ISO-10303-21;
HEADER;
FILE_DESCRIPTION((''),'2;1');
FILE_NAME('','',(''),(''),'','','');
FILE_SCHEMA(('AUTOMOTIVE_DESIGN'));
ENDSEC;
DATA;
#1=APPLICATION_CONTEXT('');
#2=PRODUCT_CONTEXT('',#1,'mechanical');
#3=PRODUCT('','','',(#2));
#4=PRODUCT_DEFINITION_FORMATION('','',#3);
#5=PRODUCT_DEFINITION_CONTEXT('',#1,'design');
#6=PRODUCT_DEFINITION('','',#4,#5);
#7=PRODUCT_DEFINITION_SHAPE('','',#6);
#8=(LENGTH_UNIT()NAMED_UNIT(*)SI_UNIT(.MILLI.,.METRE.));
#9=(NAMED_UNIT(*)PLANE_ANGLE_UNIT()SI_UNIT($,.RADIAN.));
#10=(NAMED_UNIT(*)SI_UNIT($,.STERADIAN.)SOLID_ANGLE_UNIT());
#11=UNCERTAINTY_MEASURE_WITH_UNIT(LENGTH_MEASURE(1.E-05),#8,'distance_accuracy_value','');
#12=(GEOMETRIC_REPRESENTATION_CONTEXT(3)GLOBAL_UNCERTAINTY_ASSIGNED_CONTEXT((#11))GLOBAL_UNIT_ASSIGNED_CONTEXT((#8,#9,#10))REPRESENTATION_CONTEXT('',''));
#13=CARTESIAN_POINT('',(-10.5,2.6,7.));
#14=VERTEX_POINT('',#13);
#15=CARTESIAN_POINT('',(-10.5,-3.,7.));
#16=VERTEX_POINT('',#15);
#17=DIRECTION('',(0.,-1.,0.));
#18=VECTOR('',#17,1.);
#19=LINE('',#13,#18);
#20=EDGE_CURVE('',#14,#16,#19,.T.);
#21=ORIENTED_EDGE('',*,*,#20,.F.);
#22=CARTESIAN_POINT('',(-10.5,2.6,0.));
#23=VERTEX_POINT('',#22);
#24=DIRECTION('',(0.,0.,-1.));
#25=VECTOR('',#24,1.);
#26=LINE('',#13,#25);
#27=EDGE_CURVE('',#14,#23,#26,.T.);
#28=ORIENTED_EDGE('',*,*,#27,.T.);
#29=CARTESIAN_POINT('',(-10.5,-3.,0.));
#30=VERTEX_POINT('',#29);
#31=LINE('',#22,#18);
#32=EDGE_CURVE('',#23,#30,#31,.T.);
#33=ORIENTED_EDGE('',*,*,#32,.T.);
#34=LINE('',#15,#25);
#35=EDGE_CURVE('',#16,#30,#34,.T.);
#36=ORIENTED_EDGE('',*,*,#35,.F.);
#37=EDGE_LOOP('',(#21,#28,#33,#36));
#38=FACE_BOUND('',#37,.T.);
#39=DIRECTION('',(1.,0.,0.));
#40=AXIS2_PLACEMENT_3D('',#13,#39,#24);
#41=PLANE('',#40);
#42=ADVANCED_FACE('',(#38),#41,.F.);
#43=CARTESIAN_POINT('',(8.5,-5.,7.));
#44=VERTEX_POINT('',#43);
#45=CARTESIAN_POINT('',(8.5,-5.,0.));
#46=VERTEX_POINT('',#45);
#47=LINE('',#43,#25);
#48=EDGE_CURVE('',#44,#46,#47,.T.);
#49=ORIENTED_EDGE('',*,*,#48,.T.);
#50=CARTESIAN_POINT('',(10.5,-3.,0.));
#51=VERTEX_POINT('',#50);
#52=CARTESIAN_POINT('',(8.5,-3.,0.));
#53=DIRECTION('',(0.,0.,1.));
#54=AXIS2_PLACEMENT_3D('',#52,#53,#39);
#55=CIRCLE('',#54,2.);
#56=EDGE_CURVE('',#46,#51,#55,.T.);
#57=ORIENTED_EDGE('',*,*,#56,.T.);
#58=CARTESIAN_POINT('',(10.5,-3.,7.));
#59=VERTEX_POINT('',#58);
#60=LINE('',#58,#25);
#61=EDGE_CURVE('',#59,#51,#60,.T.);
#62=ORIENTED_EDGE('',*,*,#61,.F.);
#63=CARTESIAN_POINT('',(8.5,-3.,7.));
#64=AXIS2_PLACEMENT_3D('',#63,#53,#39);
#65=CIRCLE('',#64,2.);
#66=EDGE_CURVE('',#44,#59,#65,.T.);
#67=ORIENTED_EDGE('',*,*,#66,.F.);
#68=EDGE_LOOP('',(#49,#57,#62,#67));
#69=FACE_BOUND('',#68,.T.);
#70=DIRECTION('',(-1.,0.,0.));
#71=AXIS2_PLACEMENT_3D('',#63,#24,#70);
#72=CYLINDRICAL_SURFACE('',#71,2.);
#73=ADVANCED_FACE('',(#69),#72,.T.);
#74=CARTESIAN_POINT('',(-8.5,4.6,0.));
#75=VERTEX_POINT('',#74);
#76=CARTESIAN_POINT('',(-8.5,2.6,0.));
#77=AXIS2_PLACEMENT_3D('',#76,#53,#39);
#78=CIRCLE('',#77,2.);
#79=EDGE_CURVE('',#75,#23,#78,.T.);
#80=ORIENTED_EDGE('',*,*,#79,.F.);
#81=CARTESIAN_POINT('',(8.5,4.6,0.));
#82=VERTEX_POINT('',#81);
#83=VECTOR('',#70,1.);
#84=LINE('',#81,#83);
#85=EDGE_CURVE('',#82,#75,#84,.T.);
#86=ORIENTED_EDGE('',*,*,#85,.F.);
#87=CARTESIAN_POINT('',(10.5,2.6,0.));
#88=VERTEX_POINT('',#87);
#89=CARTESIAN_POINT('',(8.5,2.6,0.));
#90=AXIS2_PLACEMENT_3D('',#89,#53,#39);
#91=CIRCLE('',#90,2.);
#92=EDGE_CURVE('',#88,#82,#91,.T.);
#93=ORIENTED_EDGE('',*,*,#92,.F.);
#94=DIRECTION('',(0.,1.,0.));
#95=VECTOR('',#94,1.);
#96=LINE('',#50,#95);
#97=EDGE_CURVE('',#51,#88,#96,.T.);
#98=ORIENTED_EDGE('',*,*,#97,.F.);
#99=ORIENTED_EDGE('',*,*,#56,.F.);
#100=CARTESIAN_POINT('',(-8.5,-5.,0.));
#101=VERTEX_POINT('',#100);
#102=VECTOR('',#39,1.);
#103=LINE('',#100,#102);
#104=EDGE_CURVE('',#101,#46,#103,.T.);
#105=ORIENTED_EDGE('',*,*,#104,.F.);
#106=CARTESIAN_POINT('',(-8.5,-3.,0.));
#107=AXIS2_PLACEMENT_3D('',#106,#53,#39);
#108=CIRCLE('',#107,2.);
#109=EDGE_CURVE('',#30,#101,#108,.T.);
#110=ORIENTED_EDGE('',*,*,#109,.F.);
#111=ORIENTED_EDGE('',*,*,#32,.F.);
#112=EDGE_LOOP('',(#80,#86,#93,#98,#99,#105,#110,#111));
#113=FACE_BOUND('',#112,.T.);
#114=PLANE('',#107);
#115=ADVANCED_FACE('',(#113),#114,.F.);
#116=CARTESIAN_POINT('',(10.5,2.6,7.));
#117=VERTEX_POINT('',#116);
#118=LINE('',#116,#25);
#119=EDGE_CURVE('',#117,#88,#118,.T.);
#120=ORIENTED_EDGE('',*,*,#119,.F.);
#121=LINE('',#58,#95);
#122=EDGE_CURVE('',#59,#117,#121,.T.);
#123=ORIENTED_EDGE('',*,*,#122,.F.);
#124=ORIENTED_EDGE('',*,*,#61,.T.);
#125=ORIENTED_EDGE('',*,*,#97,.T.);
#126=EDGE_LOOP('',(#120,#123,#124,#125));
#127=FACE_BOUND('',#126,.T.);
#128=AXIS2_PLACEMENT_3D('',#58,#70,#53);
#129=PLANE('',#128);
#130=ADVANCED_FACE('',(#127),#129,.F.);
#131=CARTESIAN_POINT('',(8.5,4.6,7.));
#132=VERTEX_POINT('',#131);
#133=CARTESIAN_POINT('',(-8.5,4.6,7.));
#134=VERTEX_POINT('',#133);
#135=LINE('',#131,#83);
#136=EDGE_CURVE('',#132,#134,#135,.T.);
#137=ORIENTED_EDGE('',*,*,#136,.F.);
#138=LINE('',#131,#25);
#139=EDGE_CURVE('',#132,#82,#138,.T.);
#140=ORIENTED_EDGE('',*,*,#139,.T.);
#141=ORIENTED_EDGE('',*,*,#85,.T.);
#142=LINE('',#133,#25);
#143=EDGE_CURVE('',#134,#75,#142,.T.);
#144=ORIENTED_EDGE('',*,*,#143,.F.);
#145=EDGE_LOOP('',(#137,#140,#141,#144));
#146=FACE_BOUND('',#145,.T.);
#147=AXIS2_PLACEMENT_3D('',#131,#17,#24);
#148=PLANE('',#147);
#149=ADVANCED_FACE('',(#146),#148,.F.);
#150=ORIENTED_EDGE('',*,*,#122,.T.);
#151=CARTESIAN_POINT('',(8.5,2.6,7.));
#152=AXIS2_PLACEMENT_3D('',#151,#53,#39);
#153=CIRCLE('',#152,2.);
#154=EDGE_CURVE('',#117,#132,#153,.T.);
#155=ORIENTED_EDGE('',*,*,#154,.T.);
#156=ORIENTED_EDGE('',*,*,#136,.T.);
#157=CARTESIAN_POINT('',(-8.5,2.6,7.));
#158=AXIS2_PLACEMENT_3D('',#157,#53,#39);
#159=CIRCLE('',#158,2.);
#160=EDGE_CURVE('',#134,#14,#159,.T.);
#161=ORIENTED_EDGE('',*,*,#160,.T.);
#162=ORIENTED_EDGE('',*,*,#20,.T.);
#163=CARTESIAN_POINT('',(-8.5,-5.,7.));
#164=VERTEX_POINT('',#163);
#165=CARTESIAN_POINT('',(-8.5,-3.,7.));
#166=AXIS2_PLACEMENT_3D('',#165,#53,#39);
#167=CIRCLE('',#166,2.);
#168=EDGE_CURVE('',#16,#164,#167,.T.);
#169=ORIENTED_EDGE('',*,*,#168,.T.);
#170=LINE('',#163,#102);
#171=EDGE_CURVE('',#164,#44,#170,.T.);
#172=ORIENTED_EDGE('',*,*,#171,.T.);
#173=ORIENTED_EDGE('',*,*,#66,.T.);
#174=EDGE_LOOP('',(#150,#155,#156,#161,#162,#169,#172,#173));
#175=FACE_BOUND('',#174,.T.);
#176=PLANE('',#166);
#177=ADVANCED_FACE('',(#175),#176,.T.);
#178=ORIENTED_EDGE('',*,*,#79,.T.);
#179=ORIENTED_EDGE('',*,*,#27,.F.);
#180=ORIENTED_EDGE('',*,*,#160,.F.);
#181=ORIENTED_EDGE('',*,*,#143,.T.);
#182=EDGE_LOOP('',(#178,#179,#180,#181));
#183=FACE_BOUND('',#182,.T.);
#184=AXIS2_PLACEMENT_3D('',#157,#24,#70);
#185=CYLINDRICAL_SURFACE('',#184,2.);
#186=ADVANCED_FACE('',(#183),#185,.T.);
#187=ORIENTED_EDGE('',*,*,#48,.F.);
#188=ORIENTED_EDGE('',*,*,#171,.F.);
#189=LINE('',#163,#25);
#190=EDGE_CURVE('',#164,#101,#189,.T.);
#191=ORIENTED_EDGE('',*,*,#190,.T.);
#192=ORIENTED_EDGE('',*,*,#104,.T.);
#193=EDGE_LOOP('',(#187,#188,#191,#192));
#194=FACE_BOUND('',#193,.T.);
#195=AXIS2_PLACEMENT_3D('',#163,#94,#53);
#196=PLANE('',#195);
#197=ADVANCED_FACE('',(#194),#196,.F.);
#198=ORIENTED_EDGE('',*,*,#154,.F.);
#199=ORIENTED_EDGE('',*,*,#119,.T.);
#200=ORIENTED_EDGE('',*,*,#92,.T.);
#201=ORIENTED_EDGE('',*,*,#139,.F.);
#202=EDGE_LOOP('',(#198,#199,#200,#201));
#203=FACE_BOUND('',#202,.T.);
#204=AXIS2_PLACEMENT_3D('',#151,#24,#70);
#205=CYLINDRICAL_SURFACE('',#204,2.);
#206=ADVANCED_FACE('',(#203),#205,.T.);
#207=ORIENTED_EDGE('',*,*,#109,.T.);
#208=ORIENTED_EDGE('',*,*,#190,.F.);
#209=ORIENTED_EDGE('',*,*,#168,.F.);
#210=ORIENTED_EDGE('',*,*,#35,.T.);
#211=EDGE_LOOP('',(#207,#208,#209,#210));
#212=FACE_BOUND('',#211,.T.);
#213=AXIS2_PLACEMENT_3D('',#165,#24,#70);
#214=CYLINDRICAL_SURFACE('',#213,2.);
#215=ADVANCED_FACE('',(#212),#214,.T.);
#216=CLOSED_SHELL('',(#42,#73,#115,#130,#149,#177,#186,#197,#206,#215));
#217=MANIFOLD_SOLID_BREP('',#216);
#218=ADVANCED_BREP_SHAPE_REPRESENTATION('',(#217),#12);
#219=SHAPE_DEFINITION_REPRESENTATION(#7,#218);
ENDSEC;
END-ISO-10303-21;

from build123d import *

# Parameters (mm, degrees)
F_01_CAPTURED_TAIL_BUTTON_DEPTH = 7


with BuildPart() as part:
    # S01 - Captured tail button → 01 - Captured tail button (new body)
    with BuildSketch(Plane.XY):
        with BuildLine():
            Line((-8.5, -5), (8.5, -5))
            ThreePointArc((8.5, -5), (9.914213562, -4.414213562), (10.5, -3))
            Line((10.5, -3), (10.5, 2.6))
            ThreePointArc((10.5, 2.6), (9.914213562, 4.014213562), (8.5, 4.6))
            Line((8.5, 4.6), (-8.5, 4.6))
            ThreePointArc((-8.5, 4.6), (-9.914213562, 4.014213562), (-10.5, 2.6))
            Line((-10.5, 2.6), (-10.5, -3))
            ThreePointArc((-10.5, -3), (-9.914213562, -4.414213562), (-8.5, -5))
        make_face()
    extrude(amount=F_01_CAPTURED_TAIL_BUTTON_DEPTH)


solid = part.part
